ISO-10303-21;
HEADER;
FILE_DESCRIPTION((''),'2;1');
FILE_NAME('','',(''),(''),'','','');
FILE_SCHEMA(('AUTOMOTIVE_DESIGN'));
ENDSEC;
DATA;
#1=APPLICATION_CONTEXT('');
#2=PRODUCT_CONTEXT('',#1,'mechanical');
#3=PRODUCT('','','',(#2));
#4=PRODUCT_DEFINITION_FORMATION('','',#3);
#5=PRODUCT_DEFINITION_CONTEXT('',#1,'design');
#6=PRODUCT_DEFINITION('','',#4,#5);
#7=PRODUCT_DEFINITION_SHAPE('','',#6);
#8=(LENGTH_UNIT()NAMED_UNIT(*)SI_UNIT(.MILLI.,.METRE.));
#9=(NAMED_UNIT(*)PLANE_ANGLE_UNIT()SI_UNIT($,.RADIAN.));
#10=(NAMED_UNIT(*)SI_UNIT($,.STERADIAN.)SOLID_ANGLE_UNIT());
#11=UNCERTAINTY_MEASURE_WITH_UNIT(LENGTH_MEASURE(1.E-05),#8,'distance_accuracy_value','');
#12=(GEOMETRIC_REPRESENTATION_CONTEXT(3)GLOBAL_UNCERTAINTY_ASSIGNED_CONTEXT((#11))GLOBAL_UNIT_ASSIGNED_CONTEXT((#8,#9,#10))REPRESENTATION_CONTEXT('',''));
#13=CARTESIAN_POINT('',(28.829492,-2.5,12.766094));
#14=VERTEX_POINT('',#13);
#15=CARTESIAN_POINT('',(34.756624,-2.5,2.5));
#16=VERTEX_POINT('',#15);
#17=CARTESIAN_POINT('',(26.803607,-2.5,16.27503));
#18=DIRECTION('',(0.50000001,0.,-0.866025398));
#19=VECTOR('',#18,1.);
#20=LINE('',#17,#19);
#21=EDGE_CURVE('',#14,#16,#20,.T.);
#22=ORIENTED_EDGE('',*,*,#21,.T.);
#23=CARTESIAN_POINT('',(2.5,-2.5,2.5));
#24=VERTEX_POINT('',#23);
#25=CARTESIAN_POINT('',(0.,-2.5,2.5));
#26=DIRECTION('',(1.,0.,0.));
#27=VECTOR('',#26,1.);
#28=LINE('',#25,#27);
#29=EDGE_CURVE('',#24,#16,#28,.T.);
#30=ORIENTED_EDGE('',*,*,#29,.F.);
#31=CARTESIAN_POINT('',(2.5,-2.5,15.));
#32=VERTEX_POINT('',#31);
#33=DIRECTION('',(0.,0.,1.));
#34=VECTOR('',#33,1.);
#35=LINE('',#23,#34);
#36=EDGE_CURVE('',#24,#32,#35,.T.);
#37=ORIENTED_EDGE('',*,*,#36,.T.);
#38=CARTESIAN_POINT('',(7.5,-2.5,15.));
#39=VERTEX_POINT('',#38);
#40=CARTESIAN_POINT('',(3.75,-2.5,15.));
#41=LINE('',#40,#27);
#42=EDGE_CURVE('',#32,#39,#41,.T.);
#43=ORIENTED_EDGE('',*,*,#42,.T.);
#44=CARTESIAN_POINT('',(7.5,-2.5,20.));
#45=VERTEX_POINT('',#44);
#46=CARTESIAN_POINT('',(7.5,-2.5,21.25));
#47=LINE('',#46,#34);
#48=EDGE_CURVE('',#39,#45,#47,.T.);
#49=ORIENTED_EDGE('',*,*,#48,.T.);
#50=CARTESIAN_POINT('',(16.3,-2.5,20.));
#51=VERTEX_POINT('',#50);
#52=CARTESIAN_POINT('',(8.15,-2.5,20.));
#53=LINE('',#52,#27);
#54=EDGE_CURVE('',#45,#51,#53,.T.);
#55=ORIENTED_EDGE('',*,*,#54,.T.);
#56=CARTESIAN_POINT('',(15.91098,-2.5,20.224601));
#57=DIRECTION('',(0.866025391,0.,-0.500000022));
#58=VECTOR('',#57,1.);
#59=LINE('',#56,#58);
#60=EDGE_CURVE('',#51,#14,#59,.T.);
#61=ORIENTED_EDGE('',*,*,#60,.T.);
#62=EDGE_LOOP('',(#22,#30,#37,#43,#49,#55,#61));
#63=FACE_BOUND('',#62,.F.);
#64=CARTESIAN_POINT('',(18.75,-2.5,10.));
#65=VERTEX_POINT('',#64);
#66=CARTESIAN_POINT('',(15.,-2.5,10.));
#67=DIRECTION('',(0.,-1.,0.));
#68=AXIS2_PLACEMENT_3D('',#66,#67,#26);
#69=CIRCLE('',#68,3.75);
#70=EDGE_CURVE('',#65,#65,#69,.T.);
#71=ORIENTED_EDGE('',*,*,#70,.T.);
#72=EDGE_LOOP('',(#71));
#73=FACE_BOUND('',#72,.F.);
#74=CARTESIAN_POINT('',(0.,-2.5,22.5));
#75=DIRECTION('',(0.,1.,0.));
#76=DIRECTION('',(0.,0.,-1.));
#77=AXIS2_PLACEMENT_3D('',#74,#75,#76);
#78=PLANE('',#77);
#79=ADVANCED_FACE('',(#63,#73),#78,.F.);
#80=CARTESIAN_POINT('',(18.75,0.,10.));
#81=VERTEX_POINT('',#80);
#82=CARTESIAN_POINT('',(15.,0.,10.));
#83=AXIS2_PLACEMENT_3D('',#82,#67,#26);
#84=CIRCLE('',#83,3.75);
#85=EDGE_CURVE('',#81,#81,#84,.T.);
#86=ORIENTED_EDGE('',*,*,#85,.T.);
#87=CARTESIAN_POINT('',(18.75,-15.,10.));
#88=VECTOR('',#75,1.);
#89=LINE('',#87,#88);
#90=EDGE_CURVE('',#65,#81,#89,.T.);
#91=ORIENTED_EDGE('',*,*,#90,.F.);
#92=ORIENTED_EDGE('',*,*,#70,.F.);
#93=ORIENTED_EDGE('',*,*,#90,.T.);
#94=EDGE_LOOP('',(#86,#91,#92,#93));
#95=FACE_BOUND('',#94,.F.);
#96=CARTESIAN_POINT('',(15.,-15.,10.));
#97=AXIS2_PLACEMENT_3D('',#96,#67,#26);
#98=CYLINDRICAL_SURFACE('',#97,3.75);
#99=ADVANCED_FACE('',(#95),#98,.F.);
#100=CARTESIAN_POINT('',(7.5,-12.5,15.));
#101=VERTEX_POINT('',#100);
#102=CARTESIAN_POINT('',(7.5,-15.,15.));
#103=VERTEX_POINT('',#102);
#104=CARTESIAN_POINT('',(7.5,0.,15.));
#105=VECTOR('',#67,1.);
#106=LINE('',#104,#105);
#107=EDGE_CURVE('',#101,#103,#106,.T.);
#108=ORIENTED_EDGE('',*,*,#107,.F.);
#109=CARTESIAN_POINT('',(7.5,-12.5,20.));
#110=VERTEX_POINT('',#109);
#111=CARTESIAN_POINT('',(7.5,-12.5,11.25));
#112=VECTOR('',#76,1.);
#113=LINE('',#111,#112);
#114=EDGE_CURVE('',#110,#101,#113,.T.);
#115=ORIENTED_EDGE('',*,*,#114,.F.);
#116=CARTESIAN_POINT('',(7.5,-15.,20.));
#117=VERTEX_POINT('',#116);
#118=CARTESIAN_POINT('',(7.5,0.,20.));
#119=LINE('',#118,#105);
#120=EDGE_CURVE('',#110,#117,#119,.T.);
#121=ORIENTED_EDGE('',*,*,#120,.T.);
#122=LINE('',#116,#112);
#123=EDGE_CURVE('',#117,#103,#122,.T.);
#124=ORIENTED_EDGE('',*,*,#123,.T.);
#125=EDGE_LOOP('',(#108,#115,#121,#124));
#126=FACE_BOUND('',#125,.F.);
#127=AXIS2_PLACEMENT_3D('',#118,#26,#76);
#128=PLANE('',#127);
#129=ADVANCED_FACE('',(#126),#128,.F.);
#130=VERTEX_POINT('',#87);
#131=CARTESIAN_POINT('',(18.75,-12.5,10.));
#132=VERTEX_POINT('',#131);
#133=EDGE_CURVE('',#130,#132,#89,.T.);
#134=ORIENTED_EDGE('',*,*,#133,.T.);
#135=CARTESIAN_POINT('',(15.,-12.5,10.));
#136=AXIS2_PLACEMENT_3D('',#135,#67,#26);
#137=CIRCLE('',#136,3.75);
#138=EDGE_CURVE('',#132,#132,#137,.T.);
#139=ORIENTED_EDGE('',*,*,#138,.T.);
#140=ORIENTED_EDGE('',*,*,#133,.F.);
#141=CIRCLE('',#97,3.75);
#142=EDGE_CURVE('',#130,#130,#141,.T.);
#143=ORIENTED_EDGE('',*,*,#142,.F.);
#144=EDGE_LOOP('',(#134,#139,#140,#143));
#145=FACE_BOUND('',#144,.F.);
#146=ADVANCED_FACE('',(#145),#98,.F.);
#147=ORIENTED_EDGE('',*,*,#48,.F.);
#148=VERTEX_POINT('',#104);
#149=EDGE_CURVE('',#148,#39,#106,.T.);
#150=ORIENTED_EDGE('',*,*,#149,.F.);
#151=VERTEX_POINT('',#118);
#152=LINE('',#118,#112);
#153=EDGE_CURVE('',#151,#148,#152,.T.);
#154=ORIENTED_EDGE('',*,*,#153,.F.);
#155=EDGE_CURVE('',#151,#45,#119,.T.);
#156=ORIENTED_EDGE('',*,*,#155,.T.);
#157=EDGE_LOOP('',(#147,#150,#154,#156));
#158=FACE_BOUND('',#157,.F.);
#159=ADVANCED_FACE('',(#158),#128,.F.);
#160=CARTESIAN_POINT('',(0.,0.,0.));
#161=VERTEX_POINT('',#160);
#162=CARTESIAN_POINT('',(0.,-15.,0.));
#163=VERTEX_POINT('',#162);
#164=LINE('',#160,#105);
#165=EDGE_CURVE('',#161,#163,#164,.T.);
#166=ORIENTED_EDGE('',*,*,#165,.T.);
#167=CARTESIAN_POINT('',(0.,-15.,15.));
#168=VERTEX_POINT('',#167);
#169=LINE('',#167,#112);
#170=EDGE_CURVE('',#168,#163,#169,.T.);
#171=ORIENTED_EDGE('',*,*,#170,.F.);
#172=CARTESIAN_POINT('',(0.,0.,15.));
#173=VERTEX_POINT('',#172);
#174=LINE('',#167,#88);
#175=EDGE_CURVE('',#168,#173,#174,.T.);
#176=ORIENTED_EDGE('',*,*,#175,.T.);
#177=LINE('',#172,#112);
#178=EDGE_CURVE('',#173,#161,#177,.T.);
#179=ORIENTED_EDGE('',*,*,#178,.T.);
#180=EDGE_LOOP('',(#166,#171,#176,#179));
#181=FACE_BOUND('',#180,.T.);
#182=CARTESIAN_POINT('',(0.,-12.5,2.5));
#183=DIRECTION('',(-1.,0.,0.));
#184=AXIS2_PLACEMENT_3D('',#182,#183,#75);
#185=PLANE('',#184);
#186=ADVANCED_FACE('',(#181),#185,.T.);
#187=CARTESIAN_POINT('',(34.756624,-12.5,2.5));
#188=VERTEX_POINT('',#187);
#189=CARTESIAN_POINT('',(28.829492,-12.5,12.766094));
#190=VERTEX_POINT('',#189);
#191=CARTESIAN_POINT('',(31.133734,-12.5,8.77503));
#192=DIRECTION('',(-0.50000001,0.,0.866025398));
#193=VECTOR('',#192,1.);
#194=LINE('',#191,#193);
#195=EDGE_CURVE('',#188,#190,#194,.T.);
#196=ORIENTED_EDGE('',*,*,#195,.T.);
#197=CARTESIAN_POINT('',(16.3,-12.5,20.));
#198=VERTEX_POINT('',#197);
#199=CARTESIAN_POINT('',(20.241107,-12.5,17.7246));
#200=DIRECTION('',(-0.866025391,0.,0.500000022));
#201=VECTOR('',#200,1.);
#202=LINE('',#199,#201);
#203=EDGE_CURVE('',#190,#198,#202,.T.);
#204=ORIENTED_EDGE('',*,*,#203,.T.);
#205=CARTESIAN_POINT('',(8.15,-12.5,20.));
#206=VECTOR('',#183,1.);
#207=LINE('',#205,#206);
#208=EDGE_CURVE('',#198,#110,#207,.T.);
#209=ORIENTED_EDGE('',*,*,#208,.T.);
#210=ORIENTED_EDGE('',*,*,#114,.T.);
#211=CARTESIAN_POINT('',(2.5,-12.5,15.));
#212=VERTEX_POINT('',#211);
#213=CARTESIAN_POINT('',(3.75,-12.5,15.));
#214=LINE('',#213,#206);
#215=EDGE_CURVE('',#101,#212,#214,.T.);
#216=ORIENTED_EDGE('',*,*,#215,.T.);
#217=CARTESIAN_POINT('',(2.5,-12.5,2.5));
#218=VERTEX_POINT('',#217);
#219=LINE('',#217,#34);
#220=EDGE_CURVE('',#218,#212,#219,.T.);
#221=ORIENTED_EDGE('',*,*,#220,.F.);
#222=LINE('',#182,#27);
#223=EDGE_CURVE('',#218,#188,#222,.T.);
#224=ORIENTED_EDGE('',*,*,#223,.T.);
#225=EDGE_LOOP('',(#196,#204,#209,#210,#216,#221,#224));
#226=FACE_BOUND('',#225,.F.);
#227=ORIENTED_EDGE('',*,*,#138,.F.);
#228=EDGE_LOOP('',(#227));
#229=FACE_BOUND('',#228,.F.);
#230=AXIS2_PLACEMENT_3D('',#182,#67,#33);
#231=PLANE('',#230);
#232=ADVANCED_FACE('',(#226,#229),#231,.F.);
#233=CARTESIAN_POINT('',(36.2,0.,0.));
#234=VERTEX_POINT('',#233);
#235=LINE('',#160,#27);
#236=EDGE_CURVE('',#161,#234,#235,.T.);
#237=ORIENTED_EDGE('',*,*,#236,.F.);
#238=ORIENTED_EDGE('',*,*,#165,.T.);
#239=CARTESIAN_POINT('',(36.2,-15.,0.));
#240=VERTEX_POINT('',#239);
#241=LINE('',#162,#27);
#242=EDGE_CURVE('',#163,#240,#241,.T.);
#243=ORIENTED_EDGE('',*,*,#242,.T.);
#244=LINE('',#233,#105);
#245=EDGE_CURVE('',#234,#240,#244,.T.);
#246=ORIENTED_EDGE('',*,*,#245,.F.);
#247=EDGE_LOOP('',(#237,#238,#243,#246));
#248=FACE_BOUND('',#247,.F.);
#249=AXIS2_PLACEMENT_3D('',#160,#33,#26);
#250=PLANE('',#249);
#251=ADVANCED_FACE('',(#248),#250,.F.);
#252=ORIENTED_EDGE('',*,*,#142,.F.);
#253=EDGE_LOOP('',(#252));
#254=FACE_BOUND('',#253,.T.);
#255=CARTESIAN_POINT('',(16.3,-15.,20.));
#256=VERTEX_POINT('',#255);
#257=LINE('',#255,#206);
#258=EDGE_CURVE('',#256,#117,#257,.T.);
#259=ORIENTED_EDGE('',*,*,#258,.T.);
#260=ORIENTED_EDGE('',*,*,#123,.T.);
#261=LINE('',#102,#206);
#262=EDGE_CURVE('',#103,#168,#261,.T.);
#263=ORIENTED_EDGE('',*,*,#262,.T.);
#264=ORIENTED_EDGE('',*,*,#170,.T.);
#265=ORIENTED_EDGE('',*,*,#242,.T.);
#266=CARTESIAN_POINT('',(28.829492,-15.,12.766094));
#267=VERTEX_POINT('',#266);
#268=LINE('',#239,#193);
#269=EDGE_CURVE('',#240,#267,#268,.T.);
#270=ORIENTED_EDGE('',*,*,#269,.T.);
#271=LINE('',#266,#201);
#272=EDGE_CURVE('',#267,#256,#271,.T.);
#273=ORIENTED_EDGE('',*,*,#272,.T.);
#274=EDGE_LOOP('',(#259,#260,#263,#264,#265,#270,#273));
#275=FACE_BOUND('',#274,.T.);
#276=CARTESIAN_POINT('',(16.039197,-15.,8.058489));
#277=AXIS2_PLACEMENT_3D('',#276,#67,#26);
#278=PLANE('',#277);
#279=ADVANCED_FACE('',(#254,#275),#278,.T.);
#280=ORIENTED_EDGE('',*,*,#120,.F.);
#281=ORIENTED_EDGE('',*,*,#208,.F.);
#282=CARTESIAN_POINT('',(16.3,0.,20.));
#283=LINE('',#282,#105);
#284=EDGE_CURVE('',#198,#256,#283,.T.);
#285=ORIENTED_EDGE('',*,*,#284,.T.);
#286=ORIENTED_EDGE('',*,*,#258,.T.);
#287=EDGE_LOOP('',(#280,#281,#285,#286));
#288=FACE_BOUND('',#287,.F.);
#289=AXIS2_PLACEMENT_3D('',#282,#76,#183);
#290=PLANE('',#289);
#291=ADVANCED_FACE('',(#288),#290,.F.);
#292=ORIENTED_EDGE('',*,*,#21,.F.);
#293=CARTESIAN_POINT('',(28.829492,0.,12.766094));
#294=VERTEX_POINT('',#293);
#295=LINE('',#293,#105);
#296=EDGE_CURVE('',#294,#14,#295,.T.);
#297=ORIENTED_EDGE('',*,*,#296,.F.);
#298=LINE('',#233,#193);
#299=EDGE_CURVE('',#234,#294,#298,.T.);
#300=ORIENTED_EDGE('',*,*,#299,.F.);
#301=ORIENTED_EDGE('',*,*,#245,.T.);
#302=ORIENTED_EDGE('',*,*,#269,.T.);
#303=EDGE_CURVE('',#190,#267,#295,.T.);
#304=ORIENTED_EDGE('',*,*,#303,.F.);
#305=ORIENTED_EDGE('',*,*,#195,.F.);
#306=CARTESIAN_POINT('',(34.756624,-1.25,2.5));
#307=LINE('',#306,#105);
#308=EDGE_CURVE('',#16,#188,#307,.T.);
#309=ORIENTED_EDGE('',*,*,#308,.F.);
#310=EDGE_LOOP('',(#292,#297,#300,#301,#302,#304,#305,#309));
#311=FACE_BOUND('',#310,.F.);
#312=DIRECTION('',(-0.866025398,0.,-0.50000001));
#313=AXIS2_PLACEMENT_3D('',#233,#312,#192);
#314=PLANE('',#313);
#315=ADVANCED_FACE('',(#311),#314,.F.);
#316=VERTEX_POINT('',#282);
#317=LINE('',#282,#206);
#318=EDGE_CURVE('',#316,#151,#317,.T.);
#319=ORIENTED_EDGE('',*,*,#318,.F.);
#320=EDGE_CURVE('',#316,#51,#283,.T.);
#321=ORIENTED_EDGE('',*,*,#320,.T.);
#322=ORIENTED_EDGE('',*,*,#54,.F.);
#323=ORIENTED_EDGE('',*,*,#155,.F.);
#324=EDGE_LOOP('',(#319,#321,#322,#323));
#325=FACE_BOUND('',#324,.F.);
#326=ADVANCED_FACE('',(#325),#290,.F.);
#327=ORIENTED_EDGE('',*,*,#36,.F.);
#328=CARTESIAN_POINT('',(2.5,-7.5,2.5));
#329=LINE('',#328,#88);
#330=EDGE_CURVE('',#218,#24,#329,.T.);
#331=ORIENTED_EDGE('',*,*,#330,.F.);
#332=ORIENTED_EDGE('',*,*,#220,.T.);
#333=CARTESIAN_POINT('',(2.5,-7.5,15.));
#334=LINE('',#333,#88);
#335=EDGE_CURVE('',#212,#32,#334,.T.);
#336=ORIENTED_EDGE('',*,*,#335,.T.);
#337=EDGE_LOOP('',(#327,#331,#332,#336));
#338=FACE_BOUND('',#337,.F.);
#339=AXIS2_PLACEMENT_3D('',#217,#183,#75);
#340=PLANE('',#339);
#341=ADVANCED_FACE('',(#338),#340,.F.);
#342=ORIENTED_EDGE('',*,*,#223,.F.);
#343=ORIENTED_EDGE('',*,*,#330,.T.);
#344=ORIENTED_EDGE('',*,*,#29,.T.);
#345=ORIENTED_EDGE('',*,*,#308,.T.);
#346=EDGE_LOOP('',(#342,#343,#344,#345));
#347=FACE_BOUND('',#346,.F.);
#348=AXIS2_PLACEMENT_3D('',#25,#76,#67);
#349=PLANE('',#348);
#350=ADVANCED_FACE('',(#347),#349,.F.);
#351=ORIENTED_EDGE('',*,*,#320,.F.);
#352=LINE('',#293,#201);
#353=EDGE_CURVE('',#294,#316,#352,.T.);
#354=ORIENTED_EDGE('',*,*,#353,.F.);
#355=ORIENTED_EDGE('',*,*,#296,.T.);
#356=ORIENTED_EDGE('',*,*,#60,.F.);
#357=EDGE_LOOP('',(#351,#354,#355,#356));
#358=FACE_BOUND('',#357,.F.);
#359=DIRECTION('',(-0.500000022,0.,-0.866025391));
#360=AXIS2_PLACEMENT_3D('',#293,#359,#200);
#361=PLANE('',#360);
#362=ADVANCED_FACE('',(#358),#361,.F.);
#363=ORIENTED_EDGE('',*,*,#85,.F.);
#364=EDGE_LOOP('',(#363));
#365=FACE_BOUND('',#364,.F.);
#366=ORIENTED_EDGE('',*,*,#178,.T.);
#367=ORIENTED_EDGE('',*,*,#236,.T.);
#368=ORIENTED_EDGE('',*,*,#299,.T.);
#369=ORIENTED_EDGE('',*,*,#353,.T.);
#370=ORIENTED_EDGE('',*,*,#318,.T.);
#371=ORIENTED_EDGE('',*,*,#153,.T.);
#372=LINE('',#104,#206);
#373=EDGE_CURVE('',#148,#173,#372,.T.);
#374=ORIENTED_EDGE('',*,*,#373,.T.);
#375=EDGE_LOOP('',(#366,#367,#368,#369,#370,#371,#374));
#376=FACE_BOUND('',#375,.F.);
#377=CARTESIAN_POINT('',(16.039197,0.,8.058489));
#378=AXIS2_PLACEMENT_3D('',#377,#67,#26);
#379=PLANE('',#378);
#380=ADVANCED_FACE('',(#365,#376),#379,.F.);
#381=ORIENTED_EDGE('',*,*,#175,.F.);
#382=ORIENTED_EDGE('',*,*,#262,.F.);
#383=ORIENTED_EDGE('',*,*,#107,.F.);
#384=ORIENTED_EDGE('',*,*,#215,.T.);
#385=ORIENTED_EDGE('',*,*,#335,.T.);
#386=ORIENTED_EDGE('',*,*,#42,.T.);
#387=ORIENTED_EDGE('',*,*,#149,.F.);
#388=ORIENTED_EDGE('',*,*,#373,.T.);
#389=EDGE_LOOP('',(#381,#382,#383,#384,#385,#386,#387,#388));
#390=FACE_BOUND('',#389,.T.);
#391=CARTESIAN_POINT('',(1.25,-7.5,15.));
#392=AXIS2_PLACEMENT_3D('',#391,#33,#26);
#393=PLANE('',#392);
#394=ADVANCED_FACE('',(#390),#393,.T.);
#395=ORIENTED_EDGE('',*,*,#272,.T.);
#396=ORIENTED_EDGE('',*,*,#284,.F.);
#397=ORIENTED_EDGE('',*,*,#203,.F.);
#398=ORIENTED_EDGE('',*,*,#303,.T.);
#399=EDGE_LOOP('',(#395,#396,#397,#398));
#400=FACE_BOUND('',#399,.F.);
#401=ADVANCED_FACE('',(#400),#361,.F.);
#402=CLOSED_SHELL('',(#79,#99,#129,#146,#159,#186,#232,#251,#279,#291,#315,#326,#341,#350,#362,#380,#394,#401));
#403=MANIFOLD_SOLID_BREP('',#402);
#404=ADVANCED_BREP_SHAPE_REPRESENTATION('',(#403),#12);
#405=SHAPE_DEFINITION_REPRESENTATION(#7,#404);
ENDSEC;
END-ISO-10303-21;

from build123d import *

# Parameters (mm, degrees)
F1_DEPTH = 15
F2_W     = 10
F2_H     = 7.5
F2_H_2   = 12.5
F3_DEPTH = 40
F4_R     = 3.75
F5_DEPTH = 29
F6_W     = 2.5
F6_H     = 10
F7_DEPTH = 12.5


with BuildPart() as f1:
    # F0 (on Front) → F1 (new body)
    with BuildSketch(Plane.XZ):
        Polygon((0, 15), (0, 0), (36.2, 0), (28.829492, 12.766094), (16.3, 20), (7.5, 20), (7.5, 15), align=None)
    extrude(amount=F1_DEPTH)

    # F2 (on face) → F3 (cut)
    with BuildSketch(Plane(origin=(0, 0, 0), x_dir=(0, -1, 0), z_dir=(-1, 0, 0))):
        with Locations((7.5, 18.75)):
            Rectangle(F2_W, F2_H)
        with Locations((7.5, 8.75)):
            Rectangle(F2_W, F2_H_2)
    extrude(amount=-F3_DEPTH, mode=Mode.SUBTRACT)

    # F4 (on face) → F5 (cut)
    with BuildSketch(Plane.XZ.offset(15)):
        with Locations((15, 10)):
            Circle(F4_R)
    extrude(amount=-F5_DEPTH, mode=Mode.SUBTRACT)

    # F6 (on face) → F7 (join)
    with BuildSketch(Plane.XY.offset(2.5)):
        with Locations((1.25, -7.5)):
            Rectangle(F6_W, F6_H)
    extrude(amount=F7_DEPTH)


solid = f1.part
